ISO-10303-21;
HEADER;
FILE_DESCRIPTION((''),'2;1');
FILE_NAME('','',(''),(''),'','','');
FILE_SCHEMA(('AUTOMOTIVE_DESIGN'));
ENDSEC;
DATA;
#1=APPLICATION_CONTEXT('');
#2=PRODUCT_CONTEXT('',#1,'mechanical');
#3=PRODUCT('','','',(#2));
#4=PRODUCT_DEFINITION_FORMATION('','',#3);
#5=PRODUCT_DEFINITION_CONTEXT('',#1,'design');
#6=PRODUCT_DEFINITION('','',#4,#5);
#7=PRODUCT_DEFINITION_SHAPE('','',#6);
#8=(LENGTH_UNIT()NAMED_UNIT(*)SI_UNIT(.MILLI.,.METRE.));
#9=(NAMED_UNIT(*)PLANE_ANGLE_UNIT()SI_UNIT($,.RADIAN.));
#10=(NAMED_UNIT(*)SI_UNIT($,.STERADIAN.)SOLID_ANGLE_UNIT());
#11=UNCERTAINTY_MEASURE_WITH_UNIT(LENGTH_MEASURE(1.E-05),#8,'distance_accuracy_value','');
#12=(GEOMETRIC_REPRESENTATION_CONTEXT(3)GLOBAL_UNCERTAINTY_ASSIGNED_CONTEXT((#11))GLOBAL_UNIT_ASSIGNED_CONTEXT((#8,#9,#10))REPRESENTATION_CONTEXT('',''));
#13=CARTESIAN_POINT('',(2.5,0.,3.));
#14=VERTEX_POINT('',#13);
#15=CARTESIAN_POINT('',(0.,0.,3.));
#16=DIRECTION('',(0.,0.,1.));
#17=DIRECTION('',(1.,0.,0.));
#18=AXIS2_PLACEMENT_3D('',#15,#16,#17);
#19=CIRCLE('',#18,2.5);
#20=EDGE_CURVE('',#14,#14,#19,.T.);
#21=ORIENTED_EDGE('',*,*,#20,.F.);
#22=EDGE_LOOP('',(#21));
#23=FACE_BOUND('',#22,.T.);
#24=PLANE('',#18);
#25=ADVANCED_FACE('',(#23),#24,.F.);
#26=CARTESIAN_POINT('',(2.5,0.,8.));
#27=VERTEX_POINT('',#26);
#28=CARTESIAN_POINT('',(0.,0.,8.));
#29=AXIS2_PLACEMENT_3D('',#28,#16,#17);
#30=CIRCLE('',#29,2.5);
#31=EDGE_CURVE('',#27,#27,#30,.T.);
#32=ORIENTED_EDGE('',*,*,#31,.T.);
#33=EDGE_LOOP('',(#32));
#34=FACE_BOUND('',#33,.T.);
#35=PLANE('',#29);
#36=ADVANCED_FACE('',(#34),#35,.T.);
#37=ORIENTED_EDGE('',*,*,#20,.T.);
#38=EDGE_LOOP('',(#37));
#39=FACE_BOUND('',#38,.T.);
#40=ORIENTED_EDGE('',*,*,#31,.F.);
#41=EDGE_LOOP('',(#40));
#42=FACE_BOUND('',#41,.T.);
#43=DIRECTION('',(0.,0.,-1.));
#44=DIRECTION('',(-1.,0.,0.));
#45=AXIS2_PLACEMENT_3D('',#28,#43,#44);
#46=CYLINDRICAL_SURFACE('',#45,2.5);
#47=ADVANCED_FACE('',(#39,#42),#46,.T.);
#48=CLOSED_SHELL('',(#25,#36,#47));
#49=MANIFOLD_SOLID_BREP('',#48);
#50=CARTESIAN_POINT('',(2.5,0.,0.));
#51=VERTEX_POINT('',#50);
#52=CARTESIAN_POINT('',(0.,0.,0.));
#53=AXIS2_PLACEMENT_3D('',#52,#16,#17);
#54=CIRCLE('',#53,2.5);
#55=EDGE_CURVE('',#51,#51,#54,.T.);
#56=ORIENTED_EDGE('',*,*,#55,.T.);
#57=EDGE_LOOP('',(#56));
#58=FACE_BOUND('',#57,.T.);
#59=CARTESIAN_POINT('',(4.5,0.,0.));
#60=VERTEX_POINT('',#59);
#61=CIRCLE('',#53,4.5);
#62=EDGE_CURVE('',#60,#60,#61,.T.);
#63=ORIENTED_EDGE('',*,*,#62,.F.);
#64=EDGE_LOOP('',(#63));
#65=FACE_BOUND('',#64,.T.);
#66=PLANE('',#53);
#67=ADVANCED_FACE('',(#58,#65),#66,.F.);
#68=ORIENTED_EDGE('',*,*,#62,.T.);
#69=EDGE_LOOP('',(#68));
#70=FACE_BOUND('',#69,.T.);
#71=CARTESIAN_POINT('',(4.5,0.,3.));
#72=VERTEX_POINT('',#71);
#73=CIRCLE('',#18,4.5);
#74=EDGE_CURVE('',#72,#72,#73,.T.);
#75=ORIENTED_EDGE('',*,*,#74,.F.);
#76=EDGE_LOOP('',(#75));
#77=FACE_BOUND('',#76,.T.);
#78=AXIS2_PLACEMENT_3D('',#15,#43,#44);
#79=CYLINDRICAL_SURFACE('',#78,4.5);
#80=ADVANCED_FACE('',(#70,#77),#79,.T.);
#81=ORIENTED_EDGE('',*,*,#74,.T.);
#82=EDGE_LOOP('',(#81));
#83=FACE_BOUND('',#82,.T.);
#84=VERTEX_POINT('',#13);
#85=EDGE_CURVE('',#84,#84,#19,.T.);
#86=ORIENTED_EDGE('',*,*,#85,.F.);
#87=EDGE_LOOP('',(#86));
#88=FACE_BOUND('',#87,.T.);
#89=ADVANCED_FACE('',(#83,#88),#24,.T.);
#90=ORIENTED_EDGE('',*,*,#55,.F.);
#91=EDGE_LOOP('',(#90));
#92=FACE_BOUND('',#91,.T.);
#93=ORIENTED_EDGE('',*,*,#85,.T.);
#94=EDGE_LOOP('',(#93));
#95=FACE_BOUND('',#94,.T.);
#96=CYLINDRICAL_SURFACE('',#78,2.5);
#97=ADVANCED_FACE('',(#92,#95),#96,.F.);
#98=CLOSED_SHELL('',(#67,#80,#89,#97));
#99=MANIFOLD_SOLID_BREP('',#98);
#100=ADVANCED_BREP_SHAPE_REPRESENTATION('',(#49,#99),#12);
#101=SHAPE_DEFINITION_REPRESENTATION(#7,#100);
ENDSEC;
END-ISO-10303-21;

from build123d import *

# Parameters (mm, degrees)
SKETCH2_R           = 4.5
SKETCH2_R_2         = 2.5
BOSS_EXTRUDE1_DEPTH = 3
SKETCH3_R           = 2.5
BOSS_EXTRUDE2_DEPTH = 5


with BuildPart() as part:
    # Sketch2 → Boss-Extrude1 (new body)
    with BuildSketch(Plane.XY):
        Circle(SKETCH2_R)
        Circle(SKETCH2_R_2, mode=Mode.SUBTRACT)
    extrude(amount=BOSS_EXTRUDE1_DEPTH)


with BuildPart() as body_2:
    # Sketch3 → Boss-Extrude2 (new body)
    with BuildSketch(Plane.XY.offset(3)):
        Circle(SKETCH3_R)
    extrude(amount=BOSS_EXTRUDE2_DEPTH)


solid = Compound([part.part, body_2.part])
